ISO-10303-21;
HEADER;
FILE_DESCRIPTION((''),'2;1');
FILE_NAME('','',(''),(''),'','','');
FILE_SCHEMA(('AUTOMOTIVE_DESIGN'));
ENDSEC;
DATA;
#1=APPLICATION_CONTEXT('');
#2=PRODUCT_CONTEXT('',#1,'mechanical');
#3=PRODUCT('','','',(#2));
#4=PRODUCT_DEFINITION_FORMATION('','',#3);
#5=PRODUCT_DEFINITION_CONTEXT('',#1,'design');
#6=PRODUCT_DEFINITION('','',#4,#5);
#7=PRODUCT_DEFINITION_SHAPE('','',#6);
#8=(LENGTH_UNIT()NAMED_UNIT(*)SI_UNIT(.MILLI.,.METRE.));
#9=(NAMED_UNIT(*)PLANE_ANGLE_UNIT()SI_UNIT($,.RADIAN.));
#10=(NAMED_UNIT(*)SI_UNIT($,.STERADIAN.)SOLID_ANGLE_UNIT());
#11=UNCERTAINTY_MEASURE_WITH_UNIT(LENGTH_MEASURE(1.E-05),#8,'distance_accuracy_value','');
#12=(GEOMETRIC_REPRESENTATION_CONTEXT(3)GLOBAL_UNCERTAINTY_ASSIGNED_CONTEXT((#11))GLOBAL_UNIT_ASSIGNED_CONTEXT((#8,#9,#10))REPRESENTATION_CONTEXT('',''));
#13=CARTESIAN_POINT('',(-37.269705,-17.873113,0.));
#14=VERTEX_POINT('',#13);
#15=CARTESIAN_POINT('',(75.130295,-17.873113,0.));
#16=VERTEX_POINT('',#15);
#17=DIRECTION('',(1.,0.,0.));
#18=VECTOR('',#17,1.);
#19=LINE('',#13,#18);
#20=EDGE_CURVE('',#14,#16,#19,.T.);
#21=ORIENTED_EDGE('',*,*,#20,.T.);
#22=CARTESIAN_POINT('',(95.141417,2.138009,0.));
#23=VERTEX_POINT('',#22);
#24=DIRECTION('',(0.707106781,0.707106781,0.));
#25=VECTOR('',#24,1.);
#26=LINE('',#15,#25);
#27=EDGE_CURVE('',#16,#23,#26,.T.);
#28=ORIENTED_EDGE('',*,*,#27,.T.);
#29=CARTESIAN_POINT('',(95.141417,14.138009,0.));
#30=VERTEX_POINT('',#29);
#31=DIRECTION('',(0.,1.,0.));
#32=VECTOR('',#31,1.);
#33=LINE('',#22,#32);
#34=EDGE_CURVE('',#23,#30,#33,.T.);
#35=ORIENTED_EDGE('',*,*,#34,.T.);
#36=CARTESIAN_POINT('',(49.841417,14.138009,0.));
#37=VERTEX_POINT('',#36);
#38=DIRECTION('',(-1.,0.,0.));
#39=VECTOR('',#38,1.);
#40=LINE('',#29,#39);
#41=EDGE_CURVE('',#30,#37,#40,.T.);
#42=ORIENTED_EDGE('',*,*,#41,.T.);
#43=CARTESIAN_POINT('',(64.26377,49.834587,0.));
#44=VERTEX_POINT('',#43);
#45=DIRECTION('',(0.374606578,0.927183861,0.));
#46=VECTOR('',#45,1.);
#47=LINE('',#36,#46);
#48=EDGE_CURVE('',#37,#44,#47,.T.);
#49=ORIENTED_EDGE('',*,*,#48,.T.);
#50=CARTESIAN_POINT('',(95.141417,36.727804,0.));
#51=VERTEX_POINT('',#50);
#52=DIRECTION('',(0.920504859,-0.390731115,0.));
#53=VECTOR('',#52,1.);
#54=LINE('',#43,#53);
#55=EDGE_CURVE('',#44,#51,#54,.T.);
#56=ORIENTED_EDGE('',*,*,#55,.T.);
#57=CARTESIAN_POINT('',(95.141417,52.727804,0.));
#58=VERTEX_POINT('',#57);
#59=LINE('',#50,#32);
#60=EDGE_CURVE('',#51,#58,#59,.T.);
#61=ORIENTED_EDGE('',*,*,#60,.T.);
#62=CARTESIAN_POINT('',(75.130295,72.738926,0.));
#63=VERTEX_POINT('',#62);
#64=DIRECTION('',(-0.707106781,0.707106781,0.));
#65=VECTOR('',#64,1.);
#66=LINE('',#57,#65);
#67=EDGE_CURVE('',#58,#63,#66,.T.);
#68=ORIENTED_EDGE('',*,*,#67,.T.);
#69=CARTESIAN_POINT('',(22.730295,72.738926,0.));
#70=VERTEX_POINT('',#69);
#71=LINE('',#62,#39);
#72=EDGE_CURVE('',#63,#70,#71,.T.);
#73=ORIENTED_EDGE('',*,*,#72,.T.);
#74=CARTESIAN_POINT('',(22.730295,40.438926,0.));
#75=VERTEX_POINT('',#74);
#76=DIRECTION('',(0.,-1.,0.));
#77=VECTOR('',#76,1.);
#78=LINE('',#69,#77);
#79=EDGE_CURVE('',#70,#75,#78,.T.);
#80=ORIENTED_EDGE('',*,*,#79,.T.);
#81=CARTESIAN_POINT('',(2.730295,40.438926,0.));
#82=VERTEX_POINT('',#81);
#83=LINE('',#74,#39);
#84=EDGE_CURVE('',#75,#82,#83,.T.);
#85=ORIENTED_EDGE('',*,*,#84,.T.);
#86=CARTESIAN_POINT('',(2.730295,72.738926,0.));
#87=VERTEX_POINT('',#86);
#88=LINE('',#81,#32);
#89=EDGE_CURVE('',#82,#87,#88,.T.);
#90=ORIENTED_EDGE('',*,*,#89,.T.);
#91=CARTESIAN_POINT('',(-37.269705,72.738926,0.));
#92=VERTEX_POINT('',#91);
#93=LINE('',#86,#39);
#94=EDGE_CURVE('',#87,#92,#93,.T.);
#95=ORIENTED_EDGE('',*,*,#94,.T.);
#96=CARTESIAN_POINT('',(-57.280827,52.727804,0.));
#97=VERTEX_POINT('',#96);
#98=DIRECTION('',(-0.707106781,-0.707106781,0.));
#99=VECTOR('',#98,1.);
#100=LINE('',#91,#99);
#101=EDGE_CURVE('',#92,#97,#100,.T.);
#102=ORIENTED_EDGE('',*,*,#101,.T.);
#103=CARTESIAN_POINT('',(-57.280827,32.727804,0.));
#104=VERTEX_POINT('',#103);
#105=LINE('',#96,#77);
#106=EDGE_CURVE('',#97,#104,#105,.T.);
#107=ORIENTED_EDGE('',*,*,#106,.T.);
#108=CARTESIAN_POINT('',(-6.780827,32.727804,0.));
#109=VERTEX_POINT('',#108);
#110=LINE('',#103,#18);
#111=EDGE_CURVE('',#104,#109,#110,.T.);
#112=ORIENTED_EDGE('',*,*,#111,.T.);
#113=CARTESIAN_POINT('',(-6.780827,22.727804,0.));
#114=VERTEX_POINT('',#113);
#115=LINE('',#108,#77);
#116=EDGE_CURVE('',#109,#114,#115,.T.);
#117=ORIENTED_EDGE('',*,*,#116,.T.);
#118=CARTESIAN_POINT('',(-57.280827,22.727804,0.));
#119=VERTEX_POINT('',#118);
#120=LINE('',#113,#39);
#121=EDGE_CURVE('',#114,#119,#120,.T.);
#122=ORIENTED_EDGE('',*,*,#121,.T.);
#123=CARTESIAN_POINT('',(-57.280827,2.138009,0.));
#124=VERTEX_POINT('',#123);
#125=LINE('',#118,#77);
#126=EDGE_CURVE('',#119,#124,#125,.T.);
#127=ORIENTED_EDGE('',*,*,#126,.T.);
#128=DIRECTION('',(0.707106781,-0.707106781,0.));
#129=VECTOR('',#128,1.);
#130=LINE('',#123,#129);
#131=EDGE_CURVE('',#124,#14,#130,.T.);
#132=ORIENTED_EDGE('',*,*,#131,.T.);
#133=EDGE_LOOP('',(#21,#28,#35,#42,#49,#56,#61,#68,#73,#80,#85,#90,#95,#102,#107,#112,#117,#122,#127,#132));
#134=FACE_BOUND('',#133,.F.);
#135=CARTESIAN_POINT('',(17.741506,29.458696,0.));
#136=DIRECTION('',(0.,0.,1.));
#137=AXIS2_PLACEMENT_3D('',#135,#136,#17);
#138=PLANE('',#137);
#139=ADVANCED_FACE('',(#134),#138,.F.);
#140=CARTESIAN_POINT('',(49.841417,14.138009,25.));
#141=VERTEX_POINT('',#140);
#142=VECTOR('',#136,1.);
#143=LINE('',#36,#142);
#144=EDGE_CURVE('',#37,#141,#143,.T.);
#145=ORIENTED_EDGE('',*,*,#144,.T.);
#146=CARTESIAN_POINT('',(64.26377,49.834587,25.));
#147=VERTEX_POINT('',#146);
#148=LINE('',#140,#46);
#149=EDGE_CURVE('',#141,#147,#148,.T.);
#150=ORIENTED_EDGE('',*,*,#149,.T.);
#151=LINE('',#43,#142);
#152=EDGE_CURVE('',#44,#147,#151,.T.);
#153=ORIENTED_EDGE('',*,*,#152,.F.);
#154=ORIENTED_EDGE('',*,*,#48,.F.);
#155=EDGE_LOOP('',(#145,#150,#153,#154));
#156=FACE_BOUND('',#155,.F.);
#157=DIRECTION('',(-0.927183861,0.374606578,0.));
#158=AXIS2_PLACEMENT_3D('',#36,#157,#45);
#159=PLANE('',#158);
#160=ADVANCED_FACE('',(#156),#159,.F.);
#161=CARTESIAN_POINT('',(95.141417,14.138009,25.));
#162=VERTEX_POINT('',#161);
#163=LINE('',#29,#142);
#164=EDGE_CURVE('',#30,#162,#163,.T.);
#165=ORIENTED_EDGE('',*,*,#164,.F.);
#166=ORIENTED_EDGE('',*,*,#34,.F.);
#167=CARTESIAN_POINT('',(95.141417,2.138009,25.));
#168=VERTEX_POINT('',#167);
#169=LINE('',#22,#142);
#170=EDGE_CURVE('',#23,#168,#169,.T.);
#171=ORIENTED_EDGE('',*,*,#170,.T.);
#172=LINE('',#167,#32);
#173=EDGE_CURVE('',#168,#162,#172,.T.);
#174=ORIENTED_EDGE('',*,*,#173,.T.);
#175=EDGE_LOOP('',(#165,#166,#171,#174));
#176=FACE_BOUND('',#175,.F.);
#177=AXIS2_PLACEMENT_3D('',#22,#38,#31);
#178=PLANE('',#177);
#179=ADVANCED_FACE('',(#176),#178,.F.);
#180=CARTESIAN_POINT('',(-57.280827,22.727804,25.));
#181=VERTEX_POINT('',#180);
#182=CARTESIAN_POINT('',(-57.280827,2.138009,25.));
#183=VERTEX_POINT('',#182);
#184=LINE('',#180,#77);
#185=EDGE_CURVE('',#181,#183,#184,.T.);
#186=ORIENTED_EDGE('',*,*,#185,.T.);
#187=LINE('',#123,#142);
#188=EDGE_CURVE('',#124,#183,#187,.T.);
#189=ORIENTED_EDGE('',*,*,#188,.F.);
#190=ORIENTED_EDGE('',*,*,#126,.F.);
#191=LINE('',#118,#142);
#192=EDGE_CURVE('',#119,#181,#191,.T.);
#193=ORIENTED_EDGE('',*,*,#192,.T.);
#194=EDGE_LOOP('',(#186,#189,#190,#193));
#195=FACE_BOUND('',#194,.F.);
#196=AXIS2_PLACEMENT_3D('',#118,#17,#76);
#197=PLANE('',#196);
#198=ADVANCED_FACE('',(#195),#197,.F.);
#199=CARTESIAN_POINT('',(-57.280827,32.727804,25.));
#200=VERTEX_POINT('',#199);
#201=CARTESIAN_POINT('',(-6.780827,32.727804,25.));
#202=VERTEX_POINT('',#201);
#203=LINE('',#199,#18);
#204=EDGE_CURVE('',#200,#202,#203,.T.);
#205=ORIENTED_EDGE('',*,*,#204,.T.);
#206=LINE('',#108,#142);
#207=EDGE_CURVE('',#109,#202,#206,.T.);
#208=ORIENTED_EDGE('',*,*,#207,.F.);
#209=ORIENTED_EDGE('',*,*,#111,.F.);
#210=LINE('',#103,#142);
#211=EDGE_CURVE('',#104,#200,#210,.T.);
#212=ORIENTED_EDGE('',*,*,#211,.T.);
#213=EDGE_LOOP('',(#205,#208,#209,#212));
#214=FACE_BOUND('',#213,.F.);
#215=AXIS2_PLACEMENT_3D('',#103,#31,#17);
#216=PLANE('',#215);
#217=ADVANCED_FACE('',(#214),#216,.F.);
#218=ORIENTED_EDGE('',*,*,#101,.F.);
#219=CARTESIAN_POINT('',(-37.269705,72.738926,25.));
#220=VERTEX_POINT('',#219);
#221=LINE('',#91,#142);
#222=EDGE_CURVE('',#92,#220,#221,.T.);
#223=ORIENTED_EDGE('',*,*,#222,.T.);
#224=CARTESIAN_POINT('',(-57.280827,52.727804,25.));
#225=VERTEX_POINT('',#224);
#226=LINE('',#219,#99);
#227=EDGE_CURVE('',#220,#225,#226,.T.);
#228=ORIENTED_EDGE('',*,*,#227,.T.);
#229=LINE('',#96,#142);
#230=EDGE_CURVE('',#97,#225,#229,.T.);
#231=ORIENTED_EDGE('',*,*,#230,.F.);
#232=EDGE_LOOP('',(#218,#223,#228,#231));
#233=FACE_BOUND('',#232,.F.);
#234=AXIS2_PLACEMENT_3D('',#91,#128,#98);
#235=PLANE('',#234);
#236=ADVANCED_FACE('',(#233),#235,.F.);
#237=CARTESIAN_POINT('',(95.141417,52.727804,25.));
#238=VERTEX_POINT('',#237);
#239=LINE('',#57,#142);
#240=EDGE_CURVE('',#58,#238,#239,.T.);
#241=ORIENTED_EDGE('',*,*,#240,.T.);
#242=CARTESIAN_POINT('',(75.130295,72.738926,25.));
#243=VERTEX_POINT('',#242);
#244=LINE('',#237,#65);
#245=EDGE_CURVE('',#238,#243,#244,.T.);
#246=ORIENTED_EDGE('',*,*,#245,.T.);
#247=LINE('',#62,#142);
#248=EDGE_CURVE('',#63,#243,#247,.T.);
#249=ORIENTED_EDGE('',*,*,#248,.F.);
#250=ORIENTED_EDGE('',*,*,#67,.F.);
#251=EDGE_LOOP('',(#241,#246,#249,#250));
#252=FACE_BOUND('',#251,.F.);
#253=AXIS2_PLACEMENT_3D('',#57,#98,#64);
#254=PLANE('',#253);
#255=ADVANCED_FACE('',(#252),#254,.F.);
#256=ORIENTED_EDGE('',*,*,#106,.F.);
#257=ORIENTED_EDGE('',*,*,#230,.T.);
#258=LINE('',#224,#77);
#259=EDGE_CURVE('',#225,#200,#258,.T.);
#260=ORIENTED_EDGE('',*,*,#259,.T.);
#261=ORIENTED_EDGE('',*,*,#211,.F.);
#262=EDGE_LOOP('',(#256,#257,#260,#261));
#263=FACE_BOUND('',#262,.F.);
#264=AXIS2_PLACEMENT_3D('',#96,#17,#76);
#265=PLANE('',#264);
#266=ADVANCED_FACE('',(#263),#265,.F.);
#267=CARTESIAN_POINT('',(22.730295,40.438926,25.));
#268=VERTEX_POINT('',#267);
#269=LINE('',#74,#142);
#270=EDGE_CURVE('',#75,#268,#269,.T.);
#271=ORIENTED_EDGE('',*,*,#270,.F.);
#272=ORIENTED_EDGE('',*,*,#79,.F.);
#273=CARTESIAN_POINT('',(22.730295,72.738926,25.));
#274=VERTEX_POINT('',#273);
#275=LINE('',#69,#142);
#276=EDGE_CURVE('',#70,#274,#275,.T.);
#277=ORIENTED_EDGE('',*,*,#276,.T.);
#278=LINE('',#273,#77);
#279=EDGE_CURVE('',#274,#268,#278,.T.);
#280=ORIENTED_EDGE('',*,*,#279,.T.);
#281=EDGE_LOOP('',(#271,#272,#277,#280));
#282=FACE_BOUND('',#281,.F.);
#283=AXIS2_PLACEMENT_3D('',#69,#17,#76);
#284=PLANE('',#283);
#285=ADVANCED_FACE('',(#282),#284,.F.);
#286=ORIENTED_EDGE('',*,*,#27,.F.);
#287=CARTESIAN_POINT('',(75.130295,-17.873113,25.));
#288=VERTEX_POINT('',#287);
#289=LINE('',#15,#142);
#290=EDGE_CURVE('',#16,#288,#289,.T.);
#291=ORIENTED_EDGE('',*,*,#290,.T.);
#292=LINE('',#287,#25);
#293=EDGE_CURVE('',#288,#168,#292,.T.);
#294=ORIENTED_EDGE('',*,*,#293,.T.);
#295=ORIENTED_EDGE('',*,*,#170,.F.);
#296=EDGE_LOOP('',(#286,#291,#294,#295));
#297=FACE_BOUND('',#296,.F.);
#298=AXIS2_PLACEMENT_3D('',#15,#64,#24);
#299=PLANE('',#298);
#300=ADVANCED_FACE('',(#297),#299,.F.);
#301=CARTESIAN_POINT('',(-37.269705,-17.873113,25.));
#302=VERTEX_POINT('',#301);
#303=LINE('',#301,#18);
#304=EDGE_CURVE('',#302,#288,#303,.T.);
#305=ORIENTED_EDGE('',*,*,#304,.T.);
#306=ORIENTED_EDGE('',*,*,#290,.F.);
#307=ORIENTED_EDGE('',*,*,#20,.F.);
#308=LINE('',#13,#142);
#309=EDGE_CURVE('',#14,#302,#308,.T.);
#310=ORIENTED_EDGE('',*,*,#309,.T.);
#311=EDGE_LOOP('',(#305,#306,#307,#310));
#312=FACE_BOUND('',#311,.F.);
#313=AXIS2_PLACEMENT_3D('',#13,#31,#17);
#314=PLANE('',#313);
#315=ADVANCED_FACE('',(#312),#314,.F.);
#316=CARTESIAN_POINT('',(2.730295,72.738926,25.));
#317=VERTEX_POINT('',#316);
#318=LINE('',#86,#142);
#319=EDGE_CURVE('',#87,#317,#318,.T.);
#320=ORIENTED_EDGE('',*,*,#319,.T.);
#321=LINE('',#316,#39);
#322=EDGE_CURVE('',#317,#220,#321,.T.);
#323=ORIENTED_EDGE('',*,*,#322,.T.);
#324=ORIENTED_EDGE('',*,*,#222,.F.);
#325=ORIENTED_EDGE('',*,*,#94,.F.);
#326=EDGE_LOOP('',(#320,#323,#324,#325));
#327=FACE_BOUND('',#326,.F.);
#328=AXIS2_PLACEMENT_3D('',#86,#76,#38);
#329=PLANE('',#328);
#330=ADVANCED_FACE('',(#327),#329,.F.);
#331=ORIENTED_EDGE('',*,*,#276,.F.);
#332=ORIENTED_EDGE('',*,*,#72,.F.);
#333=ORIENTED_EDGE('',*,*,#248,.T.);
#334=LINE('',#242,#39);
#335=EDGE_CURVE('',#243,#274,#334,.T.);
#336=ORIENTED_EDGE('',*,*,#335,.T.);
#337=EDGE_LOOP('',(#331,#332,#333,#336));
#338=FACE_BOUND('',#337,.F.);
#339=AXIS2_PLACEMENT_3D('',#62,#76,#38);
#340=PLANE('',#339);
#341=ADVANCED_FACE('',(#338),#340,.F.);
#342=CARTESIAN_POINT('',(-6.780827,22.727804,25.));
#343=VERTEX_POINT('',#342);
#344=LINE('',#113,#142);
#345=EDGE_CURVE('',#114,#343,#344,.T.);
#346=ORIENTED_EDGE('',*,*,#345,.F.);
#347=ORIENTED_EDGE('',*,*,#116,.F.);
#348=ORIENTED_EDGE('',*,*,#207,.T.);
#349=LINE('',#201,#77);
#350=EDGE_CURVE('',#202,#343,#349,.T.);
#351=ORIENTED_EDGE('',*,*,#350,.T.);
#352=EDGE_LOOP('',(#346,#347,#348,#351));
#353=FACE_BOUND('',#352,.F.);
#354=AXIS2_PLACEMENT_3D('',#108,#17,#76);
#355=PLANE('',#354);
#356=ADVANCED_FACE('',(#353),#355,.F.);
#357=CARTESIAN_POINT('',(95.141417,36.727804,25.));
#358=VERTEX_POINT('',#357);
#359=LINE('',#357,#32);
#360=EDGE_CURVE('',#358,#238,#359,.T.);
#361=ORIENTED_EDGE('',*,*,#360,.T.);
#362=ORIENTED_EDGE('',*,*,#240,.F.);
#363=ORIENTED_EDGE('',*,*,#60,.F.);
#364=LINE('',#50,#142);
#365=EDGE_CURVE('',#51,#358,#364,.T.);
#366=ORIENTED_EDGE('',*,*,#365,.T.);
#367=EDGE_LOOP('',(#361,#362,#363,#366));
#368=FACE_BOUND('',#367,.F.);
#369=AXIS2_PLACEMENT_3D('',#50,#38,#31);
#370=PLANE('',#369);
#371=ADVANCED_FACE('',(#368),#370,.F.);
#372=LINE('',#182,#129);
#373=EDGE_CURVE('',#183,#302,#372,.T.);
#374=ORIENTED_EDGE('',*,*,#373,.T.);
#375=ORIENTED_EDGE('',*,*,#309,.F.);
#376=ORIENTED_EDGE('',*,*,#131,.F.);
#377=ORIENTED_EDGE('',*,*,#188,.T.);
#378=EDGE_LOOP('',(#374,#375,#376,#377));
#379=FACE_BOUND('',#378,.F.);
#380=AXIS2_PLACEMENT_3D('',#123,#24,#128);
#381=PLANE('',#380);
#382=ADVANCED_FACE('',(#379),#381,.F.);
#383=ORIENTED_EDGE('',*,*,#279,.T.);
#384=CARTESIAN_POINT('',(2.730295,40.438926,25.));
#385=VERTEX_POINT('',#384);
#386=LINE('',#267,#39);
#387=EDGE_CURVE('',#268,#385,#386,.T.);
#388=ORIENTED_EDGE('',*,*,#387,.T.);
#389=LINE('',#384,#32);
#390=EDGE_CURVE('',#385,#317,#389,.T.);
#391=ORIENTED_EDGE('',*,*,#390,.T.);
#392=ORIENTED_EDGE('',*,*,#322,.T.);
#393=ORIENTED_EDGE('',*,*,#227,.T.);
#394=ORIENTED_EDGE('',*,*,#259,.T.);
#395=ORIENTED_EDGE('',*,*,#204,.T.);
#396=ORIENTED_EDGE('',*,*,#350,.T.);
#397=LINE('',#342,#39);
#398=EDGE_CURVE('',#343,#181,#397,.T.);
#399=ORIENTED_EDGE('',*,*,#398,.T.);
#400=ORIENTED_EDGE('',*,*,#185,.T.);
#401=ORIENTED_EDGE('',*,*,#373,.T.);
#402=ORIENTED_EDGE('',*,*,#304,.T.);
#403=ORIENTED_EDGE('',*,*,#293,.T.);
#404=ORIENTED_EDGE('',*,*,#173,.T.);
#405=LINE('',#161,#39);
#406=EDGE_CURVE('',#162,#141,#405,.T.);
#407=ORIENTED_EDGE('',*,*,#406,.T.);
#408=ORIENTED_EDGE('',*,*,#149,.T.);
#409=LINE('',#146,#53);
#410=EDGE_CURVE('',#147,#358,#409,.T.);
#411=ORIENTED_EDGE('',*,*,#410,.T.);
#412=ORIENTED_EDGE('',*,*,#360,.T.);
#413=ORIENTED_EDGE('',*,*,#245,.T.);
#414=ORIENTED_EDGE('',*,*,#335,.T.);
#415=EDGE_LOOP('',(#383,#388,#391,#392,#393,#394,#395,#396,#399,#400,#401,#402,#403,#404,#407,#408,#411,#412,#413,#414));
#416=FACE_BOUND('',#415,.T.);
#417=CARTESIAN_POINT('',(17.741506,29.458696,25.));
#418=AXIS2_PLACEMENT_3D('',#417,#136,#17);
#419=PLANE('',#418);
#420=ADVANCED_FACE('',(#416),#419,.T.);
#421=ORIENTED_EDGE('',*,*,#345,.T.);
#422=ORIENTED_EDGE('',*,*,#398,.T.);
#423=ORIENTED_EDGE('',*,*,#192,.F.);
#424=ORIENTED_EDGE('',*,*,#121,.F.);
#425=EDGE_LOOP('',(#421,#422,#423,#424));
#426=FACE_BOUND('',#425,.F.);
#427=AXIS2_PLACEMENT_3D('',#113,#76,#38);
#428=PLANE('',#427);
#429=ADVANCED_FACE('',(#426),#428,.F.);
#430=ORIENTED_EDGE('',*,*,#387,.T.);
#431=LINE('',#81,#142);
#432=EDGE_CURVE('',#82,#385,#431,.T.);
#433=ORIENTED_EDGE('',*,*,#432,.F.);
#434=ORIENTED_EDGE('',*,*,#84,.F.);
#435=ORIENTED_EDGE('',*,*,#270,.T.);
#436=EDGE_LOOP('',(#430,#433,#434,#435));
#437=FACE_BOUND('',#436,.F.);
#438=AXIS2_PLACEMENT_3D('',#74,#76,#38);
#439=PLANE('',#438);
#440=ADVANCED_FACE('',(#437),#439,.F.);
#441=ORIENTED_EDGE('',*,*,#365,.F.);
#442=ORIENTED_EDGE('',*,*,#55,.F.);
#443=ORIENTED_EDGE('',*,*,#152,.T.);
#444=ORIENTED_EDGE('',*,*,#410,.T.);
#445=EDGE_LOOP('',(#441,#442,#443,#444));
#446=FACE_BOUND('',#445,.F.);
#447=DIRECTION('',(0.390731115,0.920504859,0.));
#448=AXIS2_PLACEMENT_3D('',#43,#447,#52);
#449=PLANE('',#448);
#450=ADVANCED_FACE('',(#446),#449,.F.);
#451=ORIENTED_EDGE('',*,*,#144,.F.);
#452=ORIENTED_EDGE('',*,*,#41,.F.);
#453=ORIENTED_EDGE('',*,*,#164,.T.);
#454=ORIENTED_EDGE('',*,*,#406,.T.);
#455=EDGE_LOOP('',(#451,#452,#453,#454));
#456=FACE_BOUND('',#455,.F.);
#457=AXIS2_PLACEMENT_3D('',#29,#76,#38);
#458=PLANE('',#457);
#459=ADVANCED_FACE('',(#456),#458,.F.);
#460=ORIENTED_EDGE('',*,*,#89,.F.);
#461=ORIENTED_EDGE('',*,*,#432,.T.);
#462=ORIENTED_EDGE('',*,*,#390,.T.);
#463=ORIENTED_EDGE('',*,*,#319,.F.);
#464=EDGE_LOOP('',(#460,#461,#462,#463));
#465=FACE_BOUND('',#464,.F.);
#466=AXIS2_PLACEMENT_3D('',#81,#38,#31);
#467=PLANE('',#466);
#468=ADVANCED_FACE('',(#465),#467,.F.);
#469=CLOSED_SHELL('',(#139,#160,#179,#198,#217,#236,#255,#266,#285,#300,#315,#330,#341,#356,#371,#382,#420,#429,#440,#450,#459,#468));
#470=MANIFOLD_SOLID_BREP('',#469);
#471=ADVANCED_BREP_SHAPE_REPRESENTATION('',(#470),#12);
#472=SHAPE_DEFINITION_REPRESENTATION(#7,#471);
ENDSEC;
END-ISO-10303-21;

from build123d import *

# Parameters (mm, degrees)
F1_DEPTH = 25


with BuildPart() as f1:
    # F0 (on Top) → F1 (new body)
    with BuildSketch(Plane.XY):
        Polygon((-57.280827, 2.138009), (-37.269705, -17.873113), (75.130295, -17.873113), (95.141417, 2.138009), (95.141417, 14.138009), (49.841417, 14.138009), (64.26377, 49.834587), (95.141417, 36.727804), (95.141417, 52.727804), (75.130295, 72.738926), (22.730295, 72.738926), (22.730295, 40.438926), (2.730295, 40.438926), (2.730295, 72.738926), (-37.269705, 72.738926), (-57.280827, 52.727804), (-57.280827, 32.727804), (-6.780827, 32.727804), (-6.780827, 22.727804), (-57.280827, 22.727804), align=None)
    extrude(amount=F1_DEPTH)


solid = f1.part
